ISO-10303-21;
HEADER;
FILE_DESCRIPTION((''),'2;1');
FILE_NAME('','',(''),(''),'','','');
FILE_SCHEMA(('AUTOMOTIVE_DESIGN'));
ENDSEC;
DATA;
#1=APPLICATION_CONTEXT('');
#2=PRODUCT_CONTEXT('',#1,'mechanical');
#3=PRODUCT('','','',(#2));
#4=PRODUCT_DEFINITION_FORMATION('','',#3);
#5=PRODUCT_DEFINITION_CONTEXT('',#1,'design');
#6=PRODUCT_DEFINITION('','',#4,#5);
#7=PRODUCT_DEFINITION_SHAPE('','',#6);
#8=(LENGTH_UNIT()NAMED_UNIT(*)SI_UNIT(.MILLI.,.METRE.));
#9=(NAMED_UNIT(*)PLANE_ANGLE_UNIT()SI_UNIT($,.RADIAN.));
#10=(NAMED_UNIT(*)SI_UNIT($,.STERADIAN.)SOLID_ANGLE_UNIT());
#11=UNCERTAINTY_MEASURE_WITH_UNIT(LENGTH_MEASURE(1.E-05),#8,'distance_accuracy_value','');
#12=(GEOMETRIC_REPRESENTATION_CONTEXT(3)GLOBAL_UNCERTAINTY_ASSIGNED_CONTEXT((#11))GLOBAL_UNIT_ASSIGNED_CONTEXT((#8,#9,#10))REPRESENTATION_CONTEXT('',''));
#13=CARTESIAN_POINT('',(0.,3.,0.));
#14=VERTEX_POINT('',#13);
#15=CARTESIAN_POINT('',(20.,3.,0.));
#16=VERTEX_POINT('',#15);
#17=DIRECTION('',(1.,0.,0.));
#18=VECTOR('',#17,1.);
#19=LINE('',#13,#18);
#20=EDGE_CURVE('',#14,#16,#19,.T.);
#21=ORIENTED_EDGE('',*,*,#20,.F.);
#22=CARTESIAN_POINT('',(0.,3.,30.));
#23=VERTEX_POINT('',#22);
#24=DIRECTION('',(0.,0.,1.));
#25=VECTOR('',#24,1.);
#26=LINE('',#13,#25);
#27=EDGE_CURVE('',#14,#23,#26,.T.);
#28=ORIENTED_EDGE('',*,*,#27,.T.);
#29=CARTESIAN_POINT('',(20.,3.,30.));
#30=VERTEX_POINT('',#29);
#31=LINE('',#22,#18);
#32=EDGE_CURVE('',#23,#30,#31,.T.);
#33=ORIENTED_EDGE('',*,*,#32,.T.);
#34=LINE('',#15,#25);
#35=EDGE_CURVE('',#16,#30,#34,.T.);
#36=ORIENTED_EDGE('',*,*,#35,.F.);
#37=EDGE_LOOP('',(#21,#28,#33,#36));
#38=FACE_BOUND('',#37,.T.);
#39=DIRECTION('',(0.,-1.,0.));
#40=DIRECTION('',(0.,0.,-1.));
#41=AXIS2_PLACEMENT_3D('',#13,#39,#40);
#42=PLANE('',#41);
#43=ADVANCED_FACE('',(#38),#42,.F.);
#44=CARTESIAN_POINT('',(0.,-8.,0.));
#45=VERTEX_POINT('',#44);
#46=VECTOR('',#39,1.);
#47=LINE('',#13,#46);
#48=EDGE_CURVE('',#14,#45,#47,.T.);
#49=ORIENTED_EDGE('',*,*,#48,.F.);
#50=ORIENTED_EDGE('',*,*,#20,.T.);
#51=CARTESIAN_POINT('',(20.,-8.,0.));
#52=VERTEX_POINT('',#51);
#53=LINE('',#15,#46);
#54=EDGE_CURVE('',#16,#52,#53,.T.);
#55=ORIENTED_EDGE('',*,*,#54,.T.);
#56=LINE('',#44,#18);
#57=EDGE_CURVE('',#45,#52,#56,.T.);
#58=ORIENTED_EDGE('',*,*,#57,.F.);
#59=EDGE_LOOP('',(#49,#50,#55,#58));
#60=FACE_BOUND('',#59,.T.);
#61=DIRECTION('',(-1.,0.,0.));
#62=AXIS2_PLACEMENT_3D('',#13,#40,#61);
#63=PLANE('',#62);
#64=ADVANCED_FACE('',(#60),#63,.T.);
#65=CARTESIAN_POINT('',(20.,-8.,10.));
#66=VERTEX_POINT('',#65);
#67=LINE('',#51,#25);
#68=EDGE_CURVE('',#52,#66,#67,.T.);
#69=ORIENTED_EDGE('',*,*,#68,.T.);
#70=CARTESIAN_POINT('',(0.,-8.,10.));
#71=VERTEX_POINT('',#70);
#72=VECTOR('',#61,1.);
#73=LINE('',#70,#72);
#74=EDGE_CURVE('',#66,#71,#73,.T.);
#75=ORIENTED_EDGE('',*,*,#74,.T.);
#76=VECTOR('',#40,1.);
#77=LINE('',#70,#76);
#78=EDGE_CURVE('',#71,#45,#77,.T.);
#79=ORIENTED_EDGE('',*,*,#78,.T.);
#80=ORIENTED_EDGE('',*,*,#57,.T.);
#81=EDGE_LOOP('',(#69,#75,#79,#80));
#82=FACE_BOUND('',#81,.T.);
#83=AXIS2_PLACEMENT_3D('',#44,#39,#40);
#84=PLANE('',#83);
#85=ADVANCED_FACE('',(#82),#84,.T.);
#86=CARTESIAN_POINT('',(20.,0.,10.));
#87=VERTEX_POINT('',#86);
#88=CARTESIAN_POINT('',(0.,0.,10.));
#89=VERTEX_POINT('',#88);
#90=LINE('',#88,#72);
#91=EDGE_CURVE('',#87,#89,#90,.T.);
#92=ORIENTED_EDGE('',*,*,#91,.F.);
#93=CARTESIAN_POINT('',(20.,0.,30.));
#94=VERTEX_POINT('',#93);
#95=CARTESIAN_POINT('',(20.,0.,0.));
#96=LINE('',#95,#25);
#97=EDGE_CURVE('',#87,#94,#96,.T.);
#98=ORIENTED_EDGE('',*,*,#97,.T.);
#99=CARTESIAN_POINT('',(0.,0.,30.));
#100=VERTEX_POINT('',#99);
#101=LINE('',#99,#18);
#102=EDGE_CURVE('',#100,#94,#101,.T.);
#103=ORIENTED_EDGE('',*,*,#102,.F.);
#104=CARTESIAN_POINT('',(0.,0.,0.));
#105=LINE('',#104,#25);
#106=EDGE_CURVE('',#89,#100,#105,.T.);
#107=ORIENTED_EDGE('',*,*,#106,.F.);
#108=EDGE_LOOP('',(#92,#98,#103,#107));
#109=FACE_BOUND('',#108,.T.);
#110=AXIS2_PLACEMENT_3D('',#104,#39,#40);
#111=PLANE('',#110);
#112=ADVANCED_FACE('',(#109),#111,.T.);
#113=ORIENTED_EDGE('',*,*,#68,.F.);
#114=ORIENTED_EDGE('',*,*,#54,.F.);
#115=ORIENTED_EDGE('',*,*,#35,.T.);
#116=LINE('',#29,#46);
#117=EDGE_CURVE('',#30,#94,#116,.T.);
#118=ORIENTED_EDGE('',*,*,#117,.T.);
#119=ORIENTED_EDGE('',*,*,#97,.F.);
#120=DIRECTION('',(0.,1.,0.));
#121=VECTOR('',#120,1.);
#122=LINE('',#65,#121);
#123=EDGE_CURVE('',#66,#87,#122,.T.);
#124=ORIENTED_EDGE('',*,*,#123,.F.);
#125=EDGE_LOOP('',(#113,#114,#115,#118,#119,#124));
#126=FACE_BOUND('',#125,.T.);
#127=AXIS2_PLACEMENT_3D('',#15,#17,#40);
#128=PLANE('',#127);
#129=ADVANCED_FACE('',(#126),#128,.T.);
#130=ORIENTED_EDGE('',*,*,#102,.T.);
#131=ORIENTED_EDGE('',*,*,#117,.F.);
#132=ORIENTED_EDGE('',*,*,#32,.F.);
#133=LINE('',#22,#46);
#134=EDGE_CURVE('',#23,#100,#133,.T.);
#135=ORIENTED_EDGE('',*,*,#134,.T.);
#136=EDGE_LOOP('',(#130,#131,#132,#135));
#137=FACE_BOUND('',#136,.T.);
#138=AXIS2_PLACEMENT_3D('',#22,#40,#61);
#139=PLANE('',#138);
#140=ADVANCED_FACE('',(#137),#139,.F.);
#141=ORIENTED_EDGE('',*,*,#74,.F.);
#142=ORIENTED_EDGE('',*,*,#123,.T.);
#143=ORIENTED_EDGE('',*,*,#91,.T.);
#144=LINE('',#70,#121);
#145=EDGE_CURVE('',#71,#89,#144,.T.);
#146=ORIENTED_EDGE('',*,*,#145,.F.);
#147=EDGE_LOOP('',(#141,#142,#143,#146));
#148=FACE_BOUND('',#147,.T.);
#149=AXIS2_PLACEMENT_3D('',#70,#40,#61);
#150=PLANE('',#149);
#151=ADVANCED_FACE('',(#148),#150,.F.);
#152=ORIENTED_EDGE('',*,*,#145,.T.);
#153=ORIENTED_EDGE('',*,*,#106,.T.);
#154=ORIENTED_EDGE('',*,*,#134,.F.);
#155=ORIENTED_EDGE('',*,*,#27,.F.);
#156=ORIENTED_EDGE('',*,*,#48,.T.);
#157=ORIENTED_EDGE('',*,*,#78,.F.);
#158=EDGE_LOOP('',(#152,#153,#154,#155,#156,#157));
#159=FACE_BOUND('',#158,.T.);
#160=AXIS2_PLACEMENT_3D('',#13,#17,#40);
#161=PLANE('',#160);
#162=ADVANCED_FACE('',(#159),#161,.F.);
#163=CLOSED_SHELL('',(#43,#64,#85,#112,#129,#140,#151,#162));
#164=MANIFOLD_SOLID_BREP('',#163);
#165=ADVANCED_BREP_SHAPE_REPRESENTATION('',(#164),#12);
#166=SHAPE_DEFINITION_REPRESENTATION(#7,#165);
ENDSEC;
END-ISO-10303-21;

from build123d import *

# Parameters (mm, degrees)
SKETCH_1_W      = 20
SKETCH_1_H      = 30
EXTRUDE_1_DEPTH = 3
SKETCH_4_W      = 20
SKETCH_4_H      = 10
EXTRUDE_2_DEPTH = 8


with BuildPart() as part:
    # 草图1 → 凸台-拉伸1 (new body)
    with BuildSketch(Plane(origin=(0, 0, 0), x_dir=(1, 0, 0), z_dir=(0, 1, 0))):
        with Locations((10, -15)):
            Rectangle(SKETCH_1_W, SKETCH_1_H)
    extrude(amount=EXTRUDE_1_DEPTH)

    # 草图4 → 凸台-拉伸2 (add)
    with BuildSketch(Plane.XZ):
        with Locations((10, 5)):
            Rectangle(SKETCH_4_W, SKETCH_4_H)
    extrude(amount=EXTRUDE_2_DEPTH)


solid = part.part
